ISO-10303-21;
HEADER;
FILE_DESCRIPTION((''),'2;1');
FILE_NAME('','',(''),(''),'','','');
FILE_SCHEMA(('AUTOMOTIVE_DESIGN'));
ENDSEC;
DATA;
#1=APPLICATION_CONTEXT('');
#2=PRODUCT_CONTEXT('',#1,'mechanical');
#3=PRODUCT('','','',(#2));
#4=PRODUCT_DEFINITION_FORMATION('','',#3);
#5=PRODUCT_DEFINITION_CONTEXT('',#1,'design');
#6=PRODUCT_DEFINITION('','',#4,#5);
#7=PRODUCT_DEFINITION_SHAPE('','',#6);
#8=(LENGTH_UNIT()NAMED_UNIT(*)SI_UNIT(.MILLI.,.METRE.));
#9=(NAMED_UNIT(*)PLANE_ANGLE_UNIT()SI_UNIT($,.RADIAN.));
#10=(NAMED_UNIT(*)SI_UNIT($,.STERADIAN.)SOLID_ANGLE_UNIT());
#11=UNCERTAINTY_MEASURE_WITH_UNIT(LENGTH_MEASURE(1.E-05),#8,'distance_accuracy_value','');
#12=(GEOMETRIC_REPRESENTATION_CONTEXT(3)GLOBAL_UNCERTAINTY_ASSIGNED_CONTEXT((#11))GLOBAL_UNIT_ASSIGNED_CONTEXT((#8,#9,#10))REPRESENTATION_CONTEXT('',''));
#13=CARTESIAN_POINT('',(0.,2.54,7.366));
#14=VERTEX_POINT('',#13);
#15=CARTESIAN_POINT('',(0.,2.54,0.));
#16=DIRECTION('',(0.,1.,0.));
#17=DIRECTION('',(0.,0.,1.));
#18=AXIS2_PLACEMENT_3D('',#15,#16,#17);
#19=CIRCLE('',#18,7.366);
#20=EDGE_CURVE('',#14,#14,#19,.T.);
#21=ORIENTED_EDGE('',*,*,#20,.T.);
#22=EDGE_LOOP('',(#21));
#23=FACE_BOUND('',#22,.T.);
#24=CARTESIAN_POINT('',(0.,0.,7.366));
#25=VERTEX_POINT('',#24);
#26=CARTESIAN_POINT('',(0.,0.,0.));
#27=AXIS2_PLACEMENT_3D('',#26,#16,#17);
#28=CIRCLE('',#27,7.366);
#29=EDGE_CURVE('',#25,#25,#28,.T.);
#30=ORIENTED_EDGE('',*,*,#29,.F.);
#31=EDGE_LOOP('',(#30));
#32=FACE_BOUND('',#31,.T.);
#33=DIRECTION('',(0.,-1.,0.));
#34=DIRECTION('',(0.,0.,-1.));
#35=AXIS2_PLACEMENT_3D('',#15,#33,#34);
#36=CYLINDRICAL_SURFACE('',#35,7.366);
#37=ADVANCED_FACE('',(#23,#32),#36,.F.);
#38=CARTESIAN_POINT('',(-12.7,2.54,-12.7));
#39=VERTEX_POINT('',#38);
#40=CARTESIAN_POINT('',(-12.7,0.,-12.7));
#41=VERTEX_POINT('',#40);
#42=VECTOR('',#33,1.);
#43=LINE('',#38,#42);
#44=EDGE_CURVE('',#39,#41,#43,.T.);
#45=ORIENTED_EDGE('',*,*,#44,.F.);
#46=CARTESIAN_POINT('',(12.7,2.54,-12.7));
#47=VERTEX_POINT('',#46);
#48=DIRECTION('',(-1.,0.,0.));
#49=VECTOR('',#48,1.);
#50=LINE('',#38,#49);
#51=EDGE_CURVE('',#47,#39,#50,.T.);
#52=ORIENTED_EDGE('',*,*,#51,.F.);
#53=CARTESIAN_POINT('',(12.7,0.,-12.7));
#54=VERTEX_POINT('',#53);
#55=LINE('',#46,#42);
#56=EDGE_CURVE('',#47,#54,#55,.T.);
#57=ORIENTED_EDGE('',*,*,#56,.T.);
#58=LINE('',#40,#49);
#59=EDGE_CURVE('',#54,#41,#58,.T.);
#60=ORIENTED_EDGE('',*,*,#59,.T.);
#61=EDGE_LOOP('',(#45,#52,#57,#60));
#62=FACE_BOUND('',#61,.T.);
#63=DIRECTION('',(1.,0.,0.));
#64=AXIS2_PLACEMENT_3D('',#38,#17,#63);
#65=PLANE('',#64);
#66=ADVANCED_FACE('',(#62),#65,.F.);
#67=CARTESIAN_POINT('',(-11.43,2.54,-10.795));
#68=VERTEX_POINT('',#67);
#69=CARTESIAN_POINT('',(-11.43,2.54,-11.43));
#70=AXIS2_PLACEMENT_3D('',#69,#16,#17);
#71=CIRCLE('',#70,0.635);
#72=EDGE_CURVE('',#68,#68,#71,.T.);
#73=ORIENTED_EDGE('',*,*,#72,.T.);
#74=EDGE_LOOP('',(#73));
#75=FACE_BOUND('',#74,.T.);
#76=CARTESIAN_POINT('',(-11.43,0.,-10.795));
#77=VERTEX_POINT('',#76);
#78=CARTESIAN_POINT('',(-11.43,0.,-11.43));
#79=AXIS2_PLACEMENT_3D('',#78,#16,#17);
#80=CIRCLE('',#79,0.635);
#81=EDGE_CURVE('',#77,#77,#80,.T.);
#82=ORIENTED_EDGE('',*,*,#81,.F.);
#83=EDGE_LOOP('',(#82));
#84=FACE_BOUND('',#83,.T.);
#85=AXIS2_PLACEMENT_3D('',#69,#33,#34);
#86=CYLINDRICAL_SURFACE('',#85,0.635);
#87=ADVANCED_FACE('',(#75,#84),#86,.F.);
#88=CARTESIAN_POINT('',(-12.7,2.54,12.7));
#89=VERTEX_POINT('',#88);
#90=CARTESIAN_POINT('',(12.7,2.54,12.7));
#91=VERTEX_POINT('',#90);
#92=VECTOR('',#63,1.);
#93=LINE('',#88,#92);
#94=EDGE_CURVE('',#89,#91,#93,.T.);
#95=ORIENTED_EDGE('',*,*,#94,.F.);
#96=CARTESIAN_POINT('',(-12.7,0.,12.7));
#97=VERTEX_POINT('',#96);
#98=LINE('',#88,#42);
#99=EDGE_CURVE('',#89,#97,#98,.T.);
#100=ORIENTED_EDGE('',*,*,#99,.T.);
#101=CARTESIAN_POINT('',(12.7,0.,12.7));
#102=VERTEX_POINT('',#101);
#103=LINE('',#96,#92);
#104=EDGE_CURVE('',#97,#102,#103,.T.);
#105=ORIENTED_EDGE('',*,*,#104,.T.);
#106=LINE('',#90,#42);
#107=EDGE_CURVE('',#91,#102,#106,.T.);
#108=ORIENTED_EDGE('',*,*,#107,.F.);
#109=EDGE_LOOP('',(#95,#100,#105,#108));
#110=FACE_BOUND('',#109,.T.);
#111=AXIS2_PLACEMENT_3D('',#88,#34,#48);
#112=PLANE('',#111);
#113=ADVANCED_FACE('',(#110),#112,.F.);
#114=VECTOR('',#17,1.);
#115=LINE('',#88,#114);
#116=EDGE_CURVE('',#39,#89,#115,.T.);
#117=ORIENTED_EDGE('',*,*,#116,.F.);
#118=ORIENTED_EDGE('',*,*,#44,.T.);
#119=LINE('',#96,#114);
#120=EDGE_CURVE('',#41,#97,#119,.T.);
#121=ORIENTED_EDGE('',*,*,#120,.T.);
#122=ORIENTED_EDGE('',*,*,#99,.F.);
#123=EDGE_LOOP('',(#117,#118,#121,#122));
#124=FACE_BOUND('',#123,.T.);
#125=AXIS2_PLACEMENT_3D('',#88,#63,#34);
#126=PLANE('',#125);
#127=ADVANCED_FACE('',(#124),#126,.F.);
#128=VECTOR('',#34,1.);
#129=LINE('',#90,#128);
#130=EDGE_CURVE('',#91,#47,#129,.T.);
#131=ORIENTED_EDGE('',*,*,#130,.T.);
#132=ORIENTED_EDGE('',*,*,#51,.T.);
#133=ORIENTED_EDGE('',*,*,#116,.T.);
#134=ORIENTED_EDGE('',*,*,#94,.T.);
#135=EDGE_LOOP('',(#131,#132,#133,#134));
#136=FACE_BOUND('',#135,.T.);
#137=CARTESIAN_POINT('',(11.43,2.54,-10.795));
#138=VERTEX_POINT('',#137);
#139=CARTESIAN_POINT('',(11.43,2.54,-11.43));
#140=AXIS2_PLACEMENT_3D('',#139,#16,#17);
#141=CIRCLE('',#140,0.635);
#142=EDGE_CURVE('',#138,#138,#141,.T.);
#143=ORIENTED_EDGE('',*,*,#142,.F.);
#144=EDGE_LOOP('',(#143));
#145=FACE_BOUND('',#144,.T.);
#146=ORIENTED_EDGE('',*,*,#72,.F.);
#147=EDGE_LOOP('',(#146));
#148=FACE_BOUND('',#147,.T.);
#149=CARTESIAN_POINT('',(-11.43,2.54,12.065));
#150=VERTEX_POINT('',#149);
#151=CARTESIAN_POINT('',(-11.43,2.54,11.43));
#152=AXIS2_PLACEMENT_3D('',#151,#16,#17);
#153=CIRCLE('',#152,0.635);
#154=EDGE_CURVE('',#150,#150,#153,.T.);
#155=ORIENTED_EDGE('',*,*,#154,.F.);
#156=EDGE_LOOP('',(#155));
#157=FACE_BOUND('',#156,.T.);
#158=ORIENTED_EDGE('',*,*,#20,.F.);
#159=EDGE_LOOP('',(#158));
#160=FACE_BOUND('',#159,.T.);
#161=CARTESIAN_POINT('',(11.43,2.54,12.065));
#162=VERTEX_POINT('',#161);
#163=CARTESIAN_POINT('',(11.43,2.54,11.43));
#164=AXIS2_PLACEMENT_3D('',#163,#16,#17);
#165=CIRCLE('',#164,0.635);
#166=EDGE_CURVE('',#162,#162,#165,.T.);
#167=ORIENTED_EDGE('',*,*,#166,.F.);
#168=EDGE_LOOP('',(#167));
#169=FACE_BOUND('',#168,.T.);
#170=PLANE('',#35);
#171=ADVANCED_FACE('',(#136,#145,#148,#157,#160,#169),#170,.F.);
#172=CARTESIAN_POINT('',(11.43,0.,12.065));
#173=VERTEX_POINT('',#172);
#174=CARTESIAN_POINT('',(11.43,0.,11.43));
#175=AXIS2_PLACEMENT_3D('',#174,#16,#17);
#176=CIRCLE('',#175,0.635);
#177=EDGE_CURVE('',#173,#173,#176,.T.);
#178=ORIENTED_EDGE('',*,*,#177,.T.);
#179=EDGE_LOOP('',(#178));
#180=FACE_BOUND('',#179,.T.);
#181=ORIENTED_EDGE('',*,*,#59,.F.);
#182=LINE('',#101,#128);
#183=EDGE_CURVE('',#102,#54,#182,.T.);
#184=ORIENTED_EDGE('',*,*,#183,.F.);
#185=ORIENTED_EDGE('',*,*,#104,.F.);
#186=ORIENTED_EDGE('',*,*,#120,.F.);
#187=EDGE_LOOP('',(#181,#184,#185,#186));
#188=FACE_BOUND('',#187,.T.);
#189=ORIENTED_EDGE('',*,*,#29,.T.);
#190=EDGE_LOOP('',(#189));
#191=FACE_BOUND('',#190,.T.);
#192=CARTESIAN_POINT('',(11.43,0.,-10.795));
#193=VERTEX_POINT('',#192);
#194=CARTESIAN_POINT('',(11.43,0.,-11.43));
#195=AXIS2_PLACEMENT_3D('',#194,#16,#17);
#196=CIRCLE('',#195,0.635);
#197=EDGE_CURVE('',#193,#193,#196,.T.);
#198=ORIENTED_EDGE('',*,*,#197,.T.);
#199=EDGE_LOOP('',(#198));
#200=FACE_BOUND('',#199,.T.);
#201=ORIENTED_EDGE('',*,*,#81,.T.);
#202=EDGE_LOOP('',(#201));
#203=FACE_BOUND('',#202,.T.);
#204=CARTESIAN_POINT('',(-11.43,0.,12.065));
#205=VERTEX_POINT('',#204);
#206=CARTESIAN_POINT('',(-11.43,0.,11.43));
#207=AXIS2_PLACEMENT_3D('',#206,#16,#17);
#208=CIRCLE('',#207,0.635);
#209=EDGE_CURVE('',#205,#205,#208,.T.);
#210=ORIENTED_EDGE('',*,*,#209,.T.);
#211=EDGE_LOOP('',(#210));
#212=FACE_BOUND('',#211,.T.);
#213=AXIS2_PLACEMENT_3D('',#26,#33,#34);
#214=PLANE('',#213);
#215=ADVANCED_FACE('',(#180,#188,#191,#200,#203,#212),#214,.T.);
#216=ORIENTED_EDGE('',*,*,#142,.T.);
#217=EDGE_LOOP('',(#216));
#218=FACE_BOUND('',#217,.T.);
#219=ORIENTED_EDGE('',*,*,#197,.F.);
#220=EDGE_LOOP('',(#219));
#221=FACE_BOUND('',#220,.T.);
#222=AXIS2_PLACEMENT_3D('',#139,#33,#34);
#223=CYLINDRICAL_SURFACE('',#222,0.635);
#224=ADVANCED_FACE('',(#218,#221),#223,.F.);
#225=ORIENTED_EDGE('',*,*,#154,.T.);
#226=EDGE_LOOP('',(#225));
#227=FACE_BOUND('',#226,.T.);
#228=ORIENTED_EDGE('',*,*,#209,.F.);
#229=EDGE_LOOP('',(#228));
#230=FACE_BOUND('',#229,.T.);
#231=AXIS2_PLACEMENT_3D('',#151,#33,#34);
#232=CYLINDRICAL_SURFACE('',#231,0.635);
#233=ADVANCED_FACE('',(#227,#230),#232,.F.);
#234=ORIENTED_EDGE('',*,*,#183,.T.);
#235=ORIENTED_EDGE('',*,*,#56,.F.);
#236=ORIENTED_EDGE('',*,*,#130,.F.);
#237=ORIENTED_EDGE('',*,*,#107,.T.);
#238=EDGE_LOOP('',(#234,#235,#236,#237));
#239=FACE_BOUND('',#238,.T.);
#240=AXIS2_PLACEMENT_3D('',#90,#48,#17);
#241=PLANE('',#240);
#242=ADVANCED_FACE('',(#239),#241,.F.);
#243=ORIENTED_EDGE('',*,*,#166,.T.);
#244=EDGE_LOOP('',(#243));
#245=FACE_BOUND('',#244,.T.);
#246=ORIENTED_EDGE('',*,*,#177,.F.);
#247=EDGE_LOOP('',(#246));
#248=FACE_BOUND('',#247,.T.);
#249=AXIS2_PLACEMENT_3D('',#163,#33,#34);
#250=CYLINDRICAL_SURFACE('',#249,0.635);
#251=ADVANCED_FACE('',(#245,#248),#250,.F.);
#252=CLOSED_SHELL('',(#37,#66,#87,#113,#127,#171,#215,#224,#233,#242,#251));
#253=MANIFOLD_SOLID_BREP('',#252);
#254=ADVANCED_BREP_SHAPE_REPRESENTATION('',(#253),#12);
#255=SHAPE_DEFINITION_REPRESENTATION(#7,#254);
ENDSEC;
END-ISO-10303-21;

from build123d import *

# Parameters (mm, degrees)
SKETCH2_W           = 25.4
SKETCH2_H           = 25.4
SKETCH2_R           = 7.366
SKETCH2_R_2         = 0.635
BOSS_EXTRUDE3_DEPTH = 2.54


with BuildPart() as part:
    # Sketch2 → Boss-Extrude3 (new body)
    with BuildSketch(Plane(origin=(0, 0, 0), x_dir=(1, 0, 0), z_dir=(0, 1, 0))):
        Rectangle(SKETCH2_W, SKETCH2_H)
        with Locations(Location((0, 0, 0), (0, 0, 270))):
            Circle(SKETCH2_R, mode=Mode.SUBTRACT)
        with Locations(Location((11.43, 11.43, 0), (0, 0, 270))):
            Circle(SKETCH2_R_2, mode=Mode.SUBTRACT)
        with Locations(Location((11.43, -11.43, 0), (0, 0, 270))):
            Circle(SKETCH2_R_2, mode=Mode.SUBTRACT)
        with Locations(Location((-11.43, -11.43, 0), (0, 0, 270))):
            Circle(SKETCH2_R_2, mode=Mode.SUBTRACT)
        with Locations(Location((-11.43, 11.43, 0), (0, 0, 270))):
            Circle(SKETCH2_R_2, mode=Mode.SUBTRACT)
    extrude(amount=BOSS_EXTRUDE3_DEPTH)


solid = part.part
